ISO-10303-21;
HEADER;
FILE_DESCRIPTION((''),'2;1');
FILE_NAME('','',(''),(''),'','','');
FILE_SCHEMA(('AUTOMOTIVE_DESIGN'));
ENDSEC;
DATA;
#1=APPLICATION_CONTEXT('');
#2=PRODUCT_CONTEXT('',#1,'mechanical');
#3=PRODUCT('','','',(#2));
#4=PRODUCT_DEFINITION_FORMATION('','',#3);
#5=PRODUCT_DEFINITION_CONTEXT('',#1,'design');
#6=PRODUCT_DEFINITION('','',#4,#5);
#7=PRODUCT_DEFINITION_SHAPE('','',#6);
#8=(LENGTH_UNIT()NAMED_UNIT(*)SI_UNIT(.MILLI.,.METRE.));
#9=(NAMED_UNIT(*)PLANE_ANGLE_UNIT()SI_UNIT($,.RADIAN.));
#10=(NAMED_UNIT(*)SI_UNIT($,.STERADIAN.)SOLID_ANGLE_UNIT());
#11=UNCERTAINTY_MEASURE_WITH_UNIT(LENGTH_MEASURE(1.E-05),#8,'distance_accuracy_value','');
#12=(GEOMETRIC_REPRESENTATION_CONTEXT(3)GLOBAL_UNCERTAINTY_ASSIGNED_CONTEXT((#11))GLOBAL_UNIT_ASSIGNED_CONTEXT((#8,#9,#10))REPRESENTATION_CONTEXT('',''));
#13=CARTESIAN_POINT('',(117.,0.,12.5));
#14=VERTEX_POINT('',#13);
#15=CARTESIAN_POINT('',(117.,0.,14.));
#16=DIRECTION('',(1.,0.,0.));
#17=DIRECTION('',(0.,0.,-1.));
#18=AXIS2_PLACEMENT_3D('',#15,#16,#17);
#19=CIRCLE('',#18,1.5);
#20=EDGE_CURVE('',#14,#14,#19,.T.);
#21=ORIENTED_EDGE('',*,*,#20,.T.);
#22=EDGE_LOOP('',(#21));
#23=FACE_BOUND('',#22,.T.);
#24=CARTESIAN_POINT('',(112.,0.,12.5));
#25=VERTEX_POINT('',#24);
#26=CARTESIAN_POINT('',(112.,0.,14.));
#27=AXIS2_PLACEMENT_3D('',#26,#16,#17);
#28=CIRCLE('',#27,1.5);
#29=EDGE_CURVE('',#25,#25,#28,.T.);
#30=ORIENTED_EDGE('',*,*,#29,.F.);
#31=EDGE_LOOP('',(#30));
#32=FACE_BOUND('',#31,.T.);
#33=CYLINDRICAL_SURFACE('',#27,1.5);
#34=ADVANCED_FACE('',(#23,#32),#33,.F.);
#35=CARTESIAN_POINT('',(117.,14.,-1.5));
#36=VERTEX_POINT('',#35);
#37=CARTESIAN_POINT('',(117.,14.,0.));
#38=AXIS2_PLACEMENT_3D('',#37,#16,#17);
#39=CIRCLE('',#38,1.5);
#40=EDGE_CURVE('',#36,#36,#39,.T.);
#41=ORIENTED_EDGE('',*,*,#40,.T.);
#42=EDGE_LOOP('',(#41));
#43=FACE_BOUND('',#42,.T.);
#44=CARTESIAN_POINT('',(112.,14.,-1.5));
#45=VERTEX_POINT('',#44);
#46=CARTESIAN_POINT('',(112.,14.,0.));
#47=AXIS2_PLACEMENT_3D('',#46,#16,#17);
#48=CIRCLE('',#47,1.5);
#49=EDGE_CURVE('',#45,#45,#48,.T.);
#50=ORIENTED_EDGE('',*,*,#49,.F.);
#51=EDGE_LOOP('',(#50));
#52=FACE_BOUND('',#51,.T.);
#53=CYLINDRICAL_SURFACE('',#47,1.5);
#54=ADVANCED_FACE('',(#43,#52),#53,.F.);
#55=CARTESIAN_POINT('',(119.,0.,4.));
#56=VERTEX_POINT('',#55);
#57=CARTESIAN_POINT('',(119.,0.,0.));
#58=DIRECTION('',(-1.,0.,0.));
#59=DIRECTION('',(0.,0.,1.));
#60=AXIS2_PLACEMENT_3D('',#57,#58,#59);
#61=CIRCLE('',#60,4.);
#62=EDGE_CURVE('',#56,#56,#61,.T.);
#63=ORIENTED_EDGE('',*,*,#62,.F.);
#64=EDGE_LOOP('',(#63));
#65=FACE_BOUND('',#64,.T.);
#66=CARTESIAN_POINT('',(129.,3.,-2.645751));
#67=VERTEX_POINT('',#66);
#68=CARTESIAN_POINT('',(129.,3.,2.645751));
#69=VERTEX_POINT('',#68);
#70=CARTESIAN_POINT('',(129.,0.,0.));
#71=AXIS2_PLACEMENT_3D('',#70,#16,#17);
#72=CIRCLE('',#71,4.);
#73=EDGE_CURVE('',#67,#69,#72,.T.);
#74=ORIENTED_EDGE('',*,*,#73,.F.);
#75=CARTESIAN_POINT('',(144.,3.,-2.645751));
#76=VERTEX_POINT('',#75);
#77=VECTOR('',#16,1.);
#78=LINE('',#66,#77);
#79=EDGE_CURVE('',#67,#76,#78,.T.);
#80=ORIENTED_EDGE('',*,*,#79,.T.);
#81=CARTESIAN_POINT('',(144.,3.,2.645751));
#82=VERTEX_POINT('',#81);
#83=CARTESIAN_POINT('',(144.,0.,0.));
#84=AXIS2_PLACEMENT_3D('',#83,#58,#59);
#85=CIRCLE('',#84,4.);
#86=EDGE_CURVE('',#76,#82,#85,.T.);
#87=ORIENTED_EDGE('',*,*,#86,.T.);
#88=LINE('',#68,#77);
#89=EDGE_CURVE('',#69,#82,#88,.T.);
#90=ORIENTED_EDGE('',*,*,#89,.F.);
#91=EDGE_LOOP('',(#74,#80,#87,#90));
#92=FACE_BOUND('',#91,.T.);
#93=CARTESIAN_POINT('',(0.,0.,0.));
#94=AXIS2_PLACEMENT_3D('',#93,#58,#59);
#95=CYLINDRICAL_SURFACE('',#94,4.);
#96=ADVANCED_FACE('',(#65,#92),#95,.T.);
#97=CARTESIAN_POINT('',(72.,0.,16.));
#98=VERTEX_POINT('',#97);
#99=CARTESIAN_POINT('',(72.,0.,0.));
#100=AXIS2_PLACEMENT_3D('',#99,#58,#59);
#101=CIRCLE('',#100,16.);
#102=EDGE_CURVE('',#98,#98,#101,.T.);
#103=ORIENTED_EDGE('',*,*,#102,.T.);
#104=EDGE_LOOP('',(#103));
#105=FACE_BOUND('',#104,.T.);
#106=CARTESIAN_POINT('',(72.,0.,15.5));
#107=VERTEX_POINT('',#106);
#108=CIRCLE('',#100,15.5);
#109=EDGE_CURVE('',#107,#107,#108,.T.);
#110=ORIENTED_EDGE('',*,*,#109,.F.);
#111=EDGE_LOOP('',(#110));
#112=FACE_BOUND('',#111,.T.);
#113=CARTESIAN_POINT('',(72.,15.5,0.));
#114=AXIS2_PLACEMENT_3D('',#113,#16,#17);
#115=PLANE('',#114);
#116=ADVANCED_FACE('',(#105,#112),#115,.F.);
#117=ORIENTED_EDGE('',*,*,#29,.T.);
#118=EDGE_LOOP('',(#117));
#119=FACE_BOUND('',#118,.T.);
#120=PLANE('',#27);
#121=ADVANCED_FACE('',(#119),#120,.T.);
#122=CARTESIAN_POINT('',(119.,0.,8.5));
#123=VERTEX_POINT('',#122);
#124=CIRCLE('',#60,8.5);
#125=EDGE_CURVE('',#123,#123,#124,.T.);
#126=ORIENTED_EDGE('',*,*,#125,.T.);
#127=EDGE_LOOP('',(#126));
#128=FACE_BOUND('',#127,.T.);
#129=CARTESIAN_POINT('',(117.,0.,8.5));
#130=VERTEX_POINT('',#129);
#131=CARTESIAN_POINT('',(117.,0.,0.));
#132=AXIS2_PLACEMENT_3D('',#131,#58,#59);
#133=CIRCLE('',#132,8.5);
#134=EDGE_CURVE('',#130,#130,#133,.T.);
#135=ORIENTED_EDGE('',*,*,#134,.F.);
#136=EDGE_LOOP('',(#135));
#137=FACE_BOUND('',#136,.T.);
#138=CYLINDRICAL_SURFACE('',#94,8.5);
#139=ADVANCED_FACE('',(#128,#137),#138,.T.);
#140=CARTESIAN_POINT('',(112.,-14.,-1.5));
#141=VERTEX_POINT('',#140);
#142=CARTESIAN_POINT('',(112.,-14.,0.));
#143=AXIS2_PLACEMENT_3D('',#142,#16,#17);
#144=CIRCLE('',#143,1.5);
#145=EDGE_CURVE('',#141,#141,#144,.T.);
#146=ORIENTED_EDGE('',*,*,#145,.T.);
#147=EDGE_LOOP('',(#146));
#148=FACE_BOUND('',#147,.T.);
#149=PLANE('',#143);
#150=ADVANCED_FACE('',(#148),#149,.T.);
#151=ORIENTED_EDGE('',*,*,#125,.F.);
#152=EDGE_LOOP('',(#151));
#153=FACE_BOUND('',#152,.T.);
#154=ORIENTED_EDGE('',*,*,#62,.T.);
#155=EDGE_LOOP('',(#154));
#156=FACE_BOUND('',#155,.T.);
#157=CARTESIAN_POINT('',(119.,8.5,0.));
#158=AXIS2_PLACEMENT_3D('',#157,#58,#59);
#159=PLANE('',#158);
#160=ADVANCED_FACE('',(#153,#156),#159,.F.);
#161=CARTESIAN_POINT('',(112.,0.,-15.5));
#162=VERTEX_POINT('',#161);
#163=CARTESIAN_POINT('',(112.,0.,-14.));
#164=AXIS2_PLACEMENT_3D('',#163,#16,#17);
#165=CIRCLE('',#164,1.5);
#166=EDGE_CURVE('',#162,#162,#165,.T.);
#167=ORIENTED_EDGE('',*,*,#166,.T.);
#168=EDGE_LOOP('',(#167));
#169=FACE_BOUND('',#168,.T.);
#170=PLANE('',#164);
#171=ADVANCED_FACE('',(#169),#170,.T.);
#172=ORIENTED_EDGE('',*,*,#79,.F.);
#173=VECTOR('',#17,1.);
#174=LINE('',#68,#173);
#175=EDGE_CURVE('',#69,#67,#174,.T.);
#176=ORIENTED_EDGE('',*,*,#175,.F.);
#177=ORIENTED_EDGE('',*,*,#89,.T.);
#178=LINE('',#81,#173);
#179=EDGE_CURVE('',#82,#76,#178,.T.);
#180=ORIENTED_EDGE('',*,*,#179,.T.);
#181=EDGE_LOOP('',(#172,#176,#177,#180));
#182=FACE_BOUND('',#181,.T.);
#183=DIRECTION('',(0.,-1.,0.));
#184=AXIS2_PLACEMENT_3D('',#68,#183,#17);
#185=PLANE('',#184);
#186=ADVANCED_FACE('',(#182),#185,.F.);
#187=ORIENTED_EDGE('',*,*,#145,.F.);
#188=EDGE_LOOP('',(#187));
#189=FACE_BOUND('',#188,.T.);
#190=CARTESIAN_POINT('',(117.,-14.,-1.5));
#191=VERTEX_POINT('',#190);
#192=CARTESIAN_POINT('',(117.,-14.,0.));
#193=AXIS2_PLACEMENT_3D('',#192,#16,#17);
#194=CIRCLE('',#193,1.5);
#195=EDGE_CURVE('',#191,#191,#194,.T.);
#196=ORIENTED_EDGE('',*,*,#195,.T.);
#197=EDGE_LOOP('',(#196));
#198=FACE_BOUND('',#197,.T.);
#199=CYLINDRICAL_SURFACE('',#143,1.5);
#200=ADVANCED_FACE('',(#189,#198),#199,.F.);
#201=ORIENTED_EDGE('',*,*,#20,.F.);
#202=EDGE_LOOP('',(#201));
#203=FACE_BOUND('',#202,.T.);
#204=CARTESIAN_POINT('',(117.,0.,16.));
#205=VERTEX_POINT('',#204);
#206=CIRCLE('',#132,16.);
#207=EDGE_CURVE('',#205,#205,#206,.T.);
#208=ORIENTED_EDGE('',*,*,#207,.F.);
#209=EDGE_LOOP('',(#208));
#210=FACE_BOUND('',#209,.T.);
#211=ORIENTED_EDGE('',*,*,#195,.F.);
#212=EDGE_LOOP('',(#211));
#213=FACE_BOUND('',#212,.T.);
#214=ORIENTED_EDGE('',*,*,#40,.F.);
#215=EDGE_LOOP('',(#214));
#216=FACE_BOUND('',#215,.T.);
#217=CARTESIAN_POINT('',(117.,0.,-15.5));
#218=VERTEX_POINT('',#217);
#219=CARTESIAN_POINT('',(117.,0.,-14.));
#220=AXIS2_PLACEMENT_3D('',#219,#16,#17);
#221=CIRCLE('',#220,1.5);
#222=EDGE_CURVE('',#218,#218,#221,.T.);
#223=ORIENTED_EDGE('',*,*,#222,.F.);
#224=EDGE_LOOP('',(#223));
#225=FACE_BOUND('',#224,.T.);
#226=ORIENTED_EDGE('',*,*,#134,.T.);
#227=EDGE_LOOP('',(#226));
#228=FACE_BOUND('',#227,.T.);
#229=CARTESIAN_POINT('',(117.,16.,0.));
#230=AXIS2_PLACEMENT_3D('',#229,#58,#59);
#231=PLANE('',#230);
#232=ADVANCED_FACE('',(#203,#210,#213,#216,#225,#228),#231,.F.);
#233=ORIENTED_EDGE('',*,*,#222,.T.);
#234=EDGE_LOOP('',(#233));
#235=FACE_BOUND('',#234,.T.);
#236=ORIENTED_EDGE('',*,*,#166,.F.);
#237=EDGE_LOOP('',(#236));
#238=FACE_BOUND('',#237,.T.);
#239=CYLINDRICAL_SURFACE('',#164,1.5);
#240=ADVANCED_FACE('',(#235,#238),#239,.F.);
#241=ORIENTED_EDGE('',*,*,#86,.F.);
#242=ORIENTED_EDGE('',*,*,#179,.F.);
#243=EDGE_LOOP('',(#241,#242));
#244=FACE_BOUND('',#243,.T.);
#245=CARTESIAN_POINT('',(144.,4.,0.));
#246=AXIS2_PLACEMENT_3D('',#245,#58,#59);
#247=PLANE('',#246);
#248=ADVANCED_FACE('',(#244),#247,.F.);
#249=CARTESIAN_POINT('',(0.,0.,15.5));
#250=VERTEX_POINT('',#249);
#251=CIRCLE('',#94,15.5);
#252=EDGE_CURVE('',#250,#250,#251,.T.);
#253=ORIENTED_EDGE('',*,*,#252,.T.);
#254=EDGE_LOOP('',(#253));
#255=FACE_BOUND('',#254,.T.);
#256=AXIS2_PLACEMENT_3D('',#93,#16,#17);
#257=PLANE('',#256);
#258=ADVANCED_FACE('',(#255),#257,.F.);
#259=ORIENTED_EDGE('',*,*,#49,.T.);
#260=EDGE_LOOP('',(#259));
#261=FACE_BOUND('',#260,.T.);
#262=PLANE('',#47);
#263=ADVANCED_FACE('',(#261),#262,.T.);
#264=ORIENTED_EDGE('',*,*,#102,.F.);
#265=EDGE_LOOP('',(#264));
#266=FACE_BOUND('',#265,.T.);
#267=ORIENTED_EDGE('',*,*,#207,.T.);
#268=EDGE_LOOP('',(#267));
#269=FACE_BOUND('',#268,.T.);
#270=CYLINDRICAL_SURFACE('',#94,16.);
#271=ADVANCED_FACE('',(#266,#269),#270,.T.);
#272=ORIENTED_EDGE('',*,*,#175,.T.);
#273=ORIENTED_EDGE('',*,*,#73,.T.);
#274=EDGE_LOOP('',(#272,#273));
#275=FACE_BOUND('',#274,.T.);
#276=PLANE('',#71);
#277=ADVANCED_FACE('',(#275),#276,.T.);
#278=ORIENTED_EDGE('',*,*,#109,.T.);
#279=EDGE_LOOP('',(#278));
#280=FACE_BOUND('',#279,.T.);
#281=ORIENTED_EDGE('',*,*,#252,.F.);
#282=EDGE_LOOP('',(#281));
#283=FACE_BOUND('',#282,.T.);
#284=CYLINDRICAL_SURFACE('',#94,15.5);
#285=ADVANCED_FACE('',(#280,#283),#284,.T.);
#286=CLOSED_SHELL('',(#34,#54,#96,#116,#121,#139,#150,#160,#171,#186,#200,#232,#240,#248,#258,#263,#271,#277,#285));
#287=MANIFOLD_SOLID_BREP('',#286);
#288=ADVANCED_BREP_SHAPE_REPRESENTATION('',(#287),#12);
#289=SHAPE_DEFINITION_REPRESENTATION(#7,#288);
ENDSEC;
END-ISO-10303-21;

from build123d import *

# Parameters (mm, degrees)
CUT_EXTRUDE1_DEPTH = 15
SKETCH3_R          = 1.5
CUT_EXTRUDE2_DEPTH = 5


with BuildPart() as part:
    # Sketch1 → Revolve1 (revolve)
    with BuildSketch(Plane.XY, mode=Mode.PRIVATE) as revolve1_sk:
        Polygon((0, 0), (0, 15.5), (72, 15.5), (72, 16), (117, 16), (117, 8.5), (119, 8.5), (119, 4), (144, 4), (144, 0), align=None)
    revolve(revolve1_sk.sketch.rotate(Axis((0, 0, 0), (1, 0, 0)), 90), axis=Axis((0, 0, 0), (1, 0, 0)))

    # Sketch2 → Cut-Extrude1 (cut)
    with BuildSketch(Plane(origin=(144, 0, 0), x_dir=(0, 0, -1), z_dir=(1, 0, 0))):
        with BuildLine():
            Line((-2.645751311, 3), (2.645751311, 3))
            ThreePointArc((2.645751311, 3), (0, 4), (-2.645751311, 3))
        make_face()
    extrude(amount=-CUT_EXTRUDE1_DEPTH, mode=Mode.SUBTRACT)

    # Sketch3 → Cut-Extrude2 (cut)
    with BuildSketch(Plane(origin=(117, 0, 0), x_dir=(0, 0, -1), z_dir=(1, 0, 0))):
        with Locations((0, 14)):
            Circle(SKETCH3_R)
        with Locations((14, 0)):
            Circle(SKETCH3_R)
        with Locations((0, -14)):
            Circle(SKETCH3_R)
        with Locations((-14, 0)):
            Circle(SKETCH3_R)
    extrude(amount=-CUT_EXTRUDE2_DEPTH, mode=Mode.SUBTRACT)


solid = part.part
